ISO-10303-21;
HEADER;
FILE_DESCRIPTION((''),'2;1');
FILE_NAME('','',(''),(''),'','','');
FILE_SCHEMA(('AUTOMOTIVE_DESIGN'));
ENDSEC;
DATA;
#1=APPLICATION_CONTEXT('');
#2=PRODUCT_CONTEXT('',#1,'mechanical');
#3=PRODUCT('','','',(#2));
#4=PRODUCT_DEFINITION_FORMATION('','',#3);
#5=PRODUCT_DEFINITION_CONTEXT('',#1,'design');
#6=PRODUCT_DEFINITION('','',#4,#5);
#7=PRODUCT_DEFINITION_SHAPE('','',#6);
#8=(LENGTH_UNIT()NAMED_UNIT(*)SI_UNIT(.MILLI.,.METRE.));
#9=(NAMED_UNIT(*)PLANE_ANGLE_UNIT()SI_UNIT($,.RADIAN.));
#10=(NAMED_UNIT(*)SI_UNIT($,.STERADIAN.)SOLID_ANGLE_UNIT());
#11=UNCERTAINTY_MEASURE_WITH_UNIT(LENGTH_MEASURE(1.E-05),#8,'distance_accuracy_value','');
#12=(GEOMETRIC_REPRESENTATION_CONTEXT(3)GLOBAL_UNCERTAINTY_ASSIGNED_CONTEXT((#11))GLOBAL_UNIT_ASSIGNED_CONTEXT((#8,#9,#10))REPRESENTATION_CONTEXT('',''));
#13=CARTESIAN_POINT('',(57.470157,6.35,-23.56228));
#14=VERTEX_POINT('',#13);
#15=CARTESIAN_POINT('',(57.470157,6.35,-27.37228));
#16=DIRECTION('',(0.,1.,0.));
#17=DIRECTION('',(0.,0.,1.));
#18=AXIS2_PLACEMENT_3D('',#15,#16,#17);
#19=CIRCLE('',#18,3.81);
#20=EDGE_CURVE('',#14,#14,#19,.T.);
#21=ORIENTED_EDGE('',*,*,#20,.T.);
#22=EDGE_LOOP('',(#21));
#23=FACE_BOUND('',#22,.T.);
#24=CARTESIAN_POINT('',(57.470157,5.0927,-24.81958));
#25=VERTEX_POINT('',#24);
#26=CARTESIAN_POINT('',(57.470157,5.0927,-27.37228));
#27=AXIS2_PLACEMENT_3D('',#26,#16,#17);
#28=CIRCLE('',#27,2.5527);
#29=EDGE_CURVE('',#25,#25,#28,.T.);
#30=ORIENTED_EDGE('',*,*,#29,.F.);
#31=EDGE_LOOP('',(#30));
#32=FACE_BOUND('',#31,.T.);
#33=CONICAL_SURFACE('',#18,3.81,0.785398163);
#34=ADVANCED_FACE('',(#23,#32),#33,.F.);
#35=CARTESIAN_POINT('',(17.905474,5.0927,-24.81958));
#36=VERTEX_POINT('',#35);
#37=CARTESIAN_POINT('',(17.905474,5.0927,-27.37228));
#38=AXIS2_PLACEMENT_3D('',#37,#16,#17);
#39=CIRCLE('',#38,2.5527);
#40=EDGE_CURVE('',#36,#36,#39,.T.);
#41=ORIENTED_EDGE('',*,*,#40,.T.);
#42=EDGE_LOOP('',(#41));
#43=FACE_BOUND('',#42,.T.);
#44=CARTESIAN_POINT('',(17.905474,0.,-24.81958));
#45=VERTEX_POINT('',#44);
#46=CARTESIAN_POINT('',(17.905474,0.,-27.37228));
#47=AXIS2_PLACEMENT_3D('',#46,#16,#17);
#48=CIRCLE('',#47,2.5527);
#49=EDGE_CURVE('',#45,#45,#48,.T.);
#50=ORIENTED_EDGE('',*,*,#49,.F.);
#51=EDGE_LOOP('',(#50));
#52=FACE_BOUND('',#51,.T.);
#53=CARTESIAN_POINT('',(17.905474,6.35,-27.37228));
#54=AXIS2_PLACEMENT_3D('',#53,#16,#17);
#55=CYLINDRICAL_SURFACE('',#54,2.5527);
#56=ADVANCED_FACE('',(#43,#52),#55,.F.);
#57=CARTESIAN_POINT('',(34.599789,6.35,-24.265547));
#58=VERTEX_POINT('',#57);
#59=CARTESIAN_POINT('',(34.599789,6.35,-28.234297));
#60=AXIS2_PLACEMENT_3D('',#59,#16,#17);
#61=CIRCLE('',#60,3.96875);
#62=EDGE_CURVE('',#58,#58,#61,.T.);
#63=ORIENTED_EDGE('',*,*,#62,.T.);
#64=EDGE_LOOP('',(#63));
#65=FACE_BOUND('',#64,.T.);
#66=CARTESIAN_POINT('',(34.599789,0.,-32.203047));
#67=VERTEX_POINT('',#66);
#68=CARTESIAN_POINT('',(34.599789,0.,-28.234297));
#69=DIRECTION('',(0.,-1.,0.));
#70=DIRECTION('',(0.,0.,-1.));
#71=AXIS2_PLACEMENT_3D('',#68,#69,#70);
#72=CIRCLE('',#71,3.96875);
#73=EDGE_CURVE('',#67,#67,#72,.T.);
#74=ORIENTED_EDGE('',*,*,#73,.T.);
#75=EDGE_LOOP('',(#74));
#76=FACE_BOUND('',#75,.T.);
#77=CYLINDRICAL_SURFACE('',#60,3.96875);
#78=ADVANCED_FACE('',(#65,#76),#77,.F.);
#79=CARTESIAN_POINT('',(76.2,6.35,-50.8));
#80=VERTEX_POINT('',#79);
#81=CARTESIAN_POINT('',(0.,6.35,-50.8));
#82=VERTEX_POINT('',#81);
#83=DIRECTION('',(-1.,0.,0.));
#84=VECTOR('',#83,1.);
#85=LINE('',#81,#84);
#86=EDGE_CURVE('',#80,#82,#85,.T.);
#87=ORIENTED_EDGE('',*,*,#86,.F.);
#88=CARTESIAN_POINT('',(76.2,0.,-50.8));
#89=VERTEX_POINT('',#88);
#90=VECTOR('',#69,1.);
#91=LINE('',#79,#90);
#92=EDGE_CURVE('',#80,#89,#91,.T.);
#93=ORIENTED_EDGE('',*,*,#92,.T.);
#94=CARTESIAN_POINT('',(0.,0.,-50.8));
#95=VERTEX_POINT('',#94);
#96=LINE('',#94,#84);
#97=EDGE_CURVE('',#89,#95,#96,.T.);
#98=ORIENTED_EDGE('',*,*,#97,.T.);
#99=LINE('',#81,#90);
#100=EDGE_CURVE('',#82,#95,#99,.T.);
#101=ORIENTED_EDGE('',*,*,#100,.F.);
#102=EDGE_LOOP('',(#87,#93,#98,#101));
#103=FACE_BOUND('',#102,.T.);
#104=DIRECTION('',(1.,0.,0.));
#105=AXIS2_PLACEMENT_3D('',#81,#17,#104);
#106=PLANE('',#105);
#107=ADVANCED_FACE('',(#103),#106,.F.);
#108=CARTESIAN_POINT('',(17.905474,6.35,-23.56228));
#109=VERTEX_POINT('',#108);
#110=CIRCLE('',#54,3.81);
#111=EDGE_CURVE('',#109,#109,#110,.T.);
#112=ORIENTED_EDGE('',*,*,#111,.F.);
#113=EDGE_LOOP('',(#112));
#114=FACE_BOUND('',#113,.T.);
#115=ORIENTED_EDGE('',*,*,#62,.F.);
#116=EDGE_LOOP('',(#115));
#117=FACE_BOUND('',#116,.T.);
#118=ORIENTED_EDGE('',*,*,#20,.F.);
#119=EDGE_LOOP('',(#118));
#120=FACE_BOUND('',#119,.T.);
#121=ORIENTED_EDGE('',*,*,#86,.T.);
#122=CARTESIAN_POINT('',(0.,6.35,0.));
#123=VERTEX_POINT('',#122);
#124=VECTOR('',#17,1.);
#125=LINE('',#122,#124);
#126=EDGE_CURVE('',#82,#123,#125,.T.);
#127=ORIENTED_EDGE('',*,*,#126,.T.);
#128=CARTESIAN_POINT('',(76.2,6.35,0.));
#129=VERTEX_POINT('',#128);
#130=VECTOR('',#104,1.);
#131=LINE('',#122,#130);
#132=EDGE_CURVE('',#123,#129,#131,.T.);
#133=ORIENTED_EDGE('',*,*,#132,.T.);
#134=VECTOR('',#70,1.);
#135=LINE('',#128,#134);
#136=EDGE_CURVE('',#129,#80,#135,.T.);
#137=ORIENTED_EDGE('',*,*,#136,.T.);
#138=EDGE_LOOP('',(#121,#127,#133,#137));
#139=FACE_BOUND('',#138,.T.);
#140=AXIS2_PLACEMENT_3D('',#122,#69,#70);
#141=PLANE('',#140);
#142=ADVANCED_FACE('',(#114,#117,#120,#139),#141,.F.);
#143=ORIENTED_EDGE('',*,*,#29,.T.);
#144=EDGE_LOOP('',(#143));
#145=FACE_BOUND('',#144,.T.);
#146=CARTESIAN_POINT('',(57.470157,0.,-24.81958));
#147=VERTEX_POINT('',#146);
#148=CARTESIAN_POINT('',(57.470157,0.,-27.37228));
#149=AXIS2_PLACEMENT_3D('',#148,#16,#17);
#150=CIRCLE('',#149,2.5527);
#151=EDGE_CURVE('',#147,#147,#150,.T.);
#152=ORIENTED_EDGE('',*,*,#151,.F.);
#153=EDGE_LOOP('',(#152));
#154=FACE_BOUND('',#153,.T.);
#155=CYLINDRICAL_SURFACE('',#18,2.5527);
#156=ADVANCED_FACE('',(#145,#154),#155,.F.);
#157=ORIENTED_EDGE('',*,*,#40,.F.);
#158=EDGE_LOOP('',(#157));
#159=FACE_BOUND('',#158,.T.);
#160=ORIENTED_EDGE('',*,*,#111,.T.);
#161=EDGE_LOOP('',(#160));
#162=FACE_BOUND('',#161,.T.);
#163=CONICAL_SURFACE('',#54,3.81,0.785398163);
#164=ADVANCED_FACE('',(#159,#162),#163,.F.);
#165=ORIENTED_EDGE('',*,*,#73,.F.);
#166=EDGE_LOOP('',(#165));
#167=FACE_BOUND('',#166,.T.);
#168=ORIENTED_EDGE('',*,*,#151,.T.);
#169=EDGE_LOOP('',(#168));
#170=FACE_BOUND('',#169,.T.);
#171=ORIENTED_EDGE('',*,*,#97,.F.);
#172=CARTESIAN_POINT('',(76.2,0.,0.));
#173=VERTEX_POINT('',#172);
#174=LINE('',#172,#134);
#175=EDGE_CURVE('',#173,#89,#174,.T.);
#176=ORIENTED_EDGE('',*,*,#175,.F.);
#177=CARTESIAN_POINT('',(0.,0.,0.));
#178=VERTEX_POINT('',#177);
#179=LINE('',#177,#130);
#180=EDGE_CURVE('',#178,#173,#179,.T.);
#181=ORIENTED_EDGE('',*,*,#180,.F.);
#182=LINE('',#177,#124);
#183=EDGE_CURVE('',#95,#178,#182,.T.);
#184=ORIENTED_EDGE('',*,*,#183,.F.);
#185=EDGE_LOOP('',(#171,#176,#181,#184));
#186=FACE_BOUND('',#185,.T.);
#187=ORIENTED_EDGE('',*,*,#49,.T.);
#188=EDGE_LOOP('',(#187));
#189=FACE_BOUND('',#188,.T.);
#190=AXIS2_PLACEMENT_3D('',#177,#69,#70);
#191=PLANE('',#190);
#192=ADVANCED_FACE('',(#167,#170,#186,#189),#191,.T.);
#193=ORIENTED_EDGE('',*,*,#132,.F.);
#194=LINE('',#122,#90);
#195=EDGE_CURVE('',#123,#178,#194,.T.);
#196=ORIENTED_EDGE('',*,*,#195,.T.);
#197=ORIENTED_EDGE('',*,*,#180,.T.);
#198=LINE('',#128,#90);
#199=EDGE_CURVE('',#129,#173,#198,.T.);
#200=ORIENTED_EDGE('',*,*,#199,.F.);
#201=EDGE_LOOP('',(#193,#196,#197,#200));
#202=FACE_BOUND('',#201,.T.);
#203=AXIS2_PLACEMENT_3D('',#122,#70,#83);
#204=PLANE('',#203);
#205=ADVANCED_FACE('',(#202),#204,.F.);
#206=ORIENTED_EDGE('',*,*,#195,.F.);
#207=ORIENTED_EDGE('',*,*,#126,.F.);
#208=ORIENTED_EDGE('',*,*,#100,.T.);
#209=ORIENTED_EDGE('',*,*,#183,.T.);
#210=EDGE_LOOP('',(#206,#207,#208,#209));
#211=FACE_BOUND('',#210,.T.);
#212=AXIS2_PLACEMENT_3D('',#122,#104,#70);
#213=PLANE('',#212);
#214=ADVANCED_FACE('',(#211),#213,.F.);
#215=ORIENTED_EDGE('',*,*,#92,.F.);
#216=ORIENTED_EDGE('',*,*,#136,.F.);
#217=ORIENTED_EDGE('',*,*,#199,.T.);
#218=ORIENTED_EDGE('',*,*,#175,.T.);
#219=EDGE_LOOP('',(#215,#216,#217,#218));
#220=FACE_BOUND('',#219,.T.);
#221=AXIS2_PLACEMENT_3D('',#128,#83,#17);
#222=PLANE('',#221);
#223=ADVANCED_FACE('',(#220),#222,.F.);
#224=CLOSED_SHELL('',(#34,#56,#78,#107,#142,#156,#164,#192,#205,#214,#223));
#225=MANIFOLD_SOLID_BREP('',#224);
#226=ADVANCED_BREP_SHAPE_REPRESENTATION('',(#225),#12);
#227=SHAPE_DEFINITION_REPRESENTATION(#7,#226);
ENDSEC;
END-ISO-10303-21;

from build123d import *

# Parameters (mm, degrees)
SKETCH1_W                         = 76.2
SKETCH1_H                         = 50.8
BOSS_EXTRUDE1_DEPTH               = 6.35
F_1_4_20_TAPPED_HOLE1_D           = 5.1054
F_1_4_20_TAPPED_HOLE1_CSINK_D     = 7.62
F_1_4_20_TAPPED_HOLE1_CSINK_ANGLE = 90
F_3_8_16_TAPPED_HOLE1_D           = 7.9375


with BuildPart() as part:
    # Sketch1 → Boss-Extrude1 (new body)
    with BuildSketch(Plane(origin=(0, 0, 0), x_dir=(1, 0, 0), z_dir=(0, 1, 0))):
        with Locations((38.1, 25.4)):
            Rectangle(SKETCH1_W, SKETCH1_H)
    extrude(amount=BOSS_EXTRUDE1_DEPTH)

    # 1/4-20 Tapped Hole1 (through all)
    with Locations(Plane(origin=(0, 6.35, 0), x_dir=(1, 0, 0), z_dir=(0, 1, 0))):
        with Locations((17.905473556, 27.372280114), (57.470157442, 27.372280114)):
            CounterSinkHole(F_1_4_20_TAPPED_HOLE1_D / 2, F_1_4_20_TAPPED_HOLE1_CSINK_D / 2, counter_sink_angle=F_1_4_20_TAPPED_HOLE1_CSINK_ANGLE)

    # 3/8-16 Tapped Hole1 (through all)
    with Locations(Plane(origin=(0, 6.35, 0), x_dir=(1, 0, 0), z_dir=(0, 1, 0))):
        with Locations((34.599788687, 28.23429671)):
            Hole(F_3_8_16_TAPPED_HOLE1_D / 2)


solid = part.part
